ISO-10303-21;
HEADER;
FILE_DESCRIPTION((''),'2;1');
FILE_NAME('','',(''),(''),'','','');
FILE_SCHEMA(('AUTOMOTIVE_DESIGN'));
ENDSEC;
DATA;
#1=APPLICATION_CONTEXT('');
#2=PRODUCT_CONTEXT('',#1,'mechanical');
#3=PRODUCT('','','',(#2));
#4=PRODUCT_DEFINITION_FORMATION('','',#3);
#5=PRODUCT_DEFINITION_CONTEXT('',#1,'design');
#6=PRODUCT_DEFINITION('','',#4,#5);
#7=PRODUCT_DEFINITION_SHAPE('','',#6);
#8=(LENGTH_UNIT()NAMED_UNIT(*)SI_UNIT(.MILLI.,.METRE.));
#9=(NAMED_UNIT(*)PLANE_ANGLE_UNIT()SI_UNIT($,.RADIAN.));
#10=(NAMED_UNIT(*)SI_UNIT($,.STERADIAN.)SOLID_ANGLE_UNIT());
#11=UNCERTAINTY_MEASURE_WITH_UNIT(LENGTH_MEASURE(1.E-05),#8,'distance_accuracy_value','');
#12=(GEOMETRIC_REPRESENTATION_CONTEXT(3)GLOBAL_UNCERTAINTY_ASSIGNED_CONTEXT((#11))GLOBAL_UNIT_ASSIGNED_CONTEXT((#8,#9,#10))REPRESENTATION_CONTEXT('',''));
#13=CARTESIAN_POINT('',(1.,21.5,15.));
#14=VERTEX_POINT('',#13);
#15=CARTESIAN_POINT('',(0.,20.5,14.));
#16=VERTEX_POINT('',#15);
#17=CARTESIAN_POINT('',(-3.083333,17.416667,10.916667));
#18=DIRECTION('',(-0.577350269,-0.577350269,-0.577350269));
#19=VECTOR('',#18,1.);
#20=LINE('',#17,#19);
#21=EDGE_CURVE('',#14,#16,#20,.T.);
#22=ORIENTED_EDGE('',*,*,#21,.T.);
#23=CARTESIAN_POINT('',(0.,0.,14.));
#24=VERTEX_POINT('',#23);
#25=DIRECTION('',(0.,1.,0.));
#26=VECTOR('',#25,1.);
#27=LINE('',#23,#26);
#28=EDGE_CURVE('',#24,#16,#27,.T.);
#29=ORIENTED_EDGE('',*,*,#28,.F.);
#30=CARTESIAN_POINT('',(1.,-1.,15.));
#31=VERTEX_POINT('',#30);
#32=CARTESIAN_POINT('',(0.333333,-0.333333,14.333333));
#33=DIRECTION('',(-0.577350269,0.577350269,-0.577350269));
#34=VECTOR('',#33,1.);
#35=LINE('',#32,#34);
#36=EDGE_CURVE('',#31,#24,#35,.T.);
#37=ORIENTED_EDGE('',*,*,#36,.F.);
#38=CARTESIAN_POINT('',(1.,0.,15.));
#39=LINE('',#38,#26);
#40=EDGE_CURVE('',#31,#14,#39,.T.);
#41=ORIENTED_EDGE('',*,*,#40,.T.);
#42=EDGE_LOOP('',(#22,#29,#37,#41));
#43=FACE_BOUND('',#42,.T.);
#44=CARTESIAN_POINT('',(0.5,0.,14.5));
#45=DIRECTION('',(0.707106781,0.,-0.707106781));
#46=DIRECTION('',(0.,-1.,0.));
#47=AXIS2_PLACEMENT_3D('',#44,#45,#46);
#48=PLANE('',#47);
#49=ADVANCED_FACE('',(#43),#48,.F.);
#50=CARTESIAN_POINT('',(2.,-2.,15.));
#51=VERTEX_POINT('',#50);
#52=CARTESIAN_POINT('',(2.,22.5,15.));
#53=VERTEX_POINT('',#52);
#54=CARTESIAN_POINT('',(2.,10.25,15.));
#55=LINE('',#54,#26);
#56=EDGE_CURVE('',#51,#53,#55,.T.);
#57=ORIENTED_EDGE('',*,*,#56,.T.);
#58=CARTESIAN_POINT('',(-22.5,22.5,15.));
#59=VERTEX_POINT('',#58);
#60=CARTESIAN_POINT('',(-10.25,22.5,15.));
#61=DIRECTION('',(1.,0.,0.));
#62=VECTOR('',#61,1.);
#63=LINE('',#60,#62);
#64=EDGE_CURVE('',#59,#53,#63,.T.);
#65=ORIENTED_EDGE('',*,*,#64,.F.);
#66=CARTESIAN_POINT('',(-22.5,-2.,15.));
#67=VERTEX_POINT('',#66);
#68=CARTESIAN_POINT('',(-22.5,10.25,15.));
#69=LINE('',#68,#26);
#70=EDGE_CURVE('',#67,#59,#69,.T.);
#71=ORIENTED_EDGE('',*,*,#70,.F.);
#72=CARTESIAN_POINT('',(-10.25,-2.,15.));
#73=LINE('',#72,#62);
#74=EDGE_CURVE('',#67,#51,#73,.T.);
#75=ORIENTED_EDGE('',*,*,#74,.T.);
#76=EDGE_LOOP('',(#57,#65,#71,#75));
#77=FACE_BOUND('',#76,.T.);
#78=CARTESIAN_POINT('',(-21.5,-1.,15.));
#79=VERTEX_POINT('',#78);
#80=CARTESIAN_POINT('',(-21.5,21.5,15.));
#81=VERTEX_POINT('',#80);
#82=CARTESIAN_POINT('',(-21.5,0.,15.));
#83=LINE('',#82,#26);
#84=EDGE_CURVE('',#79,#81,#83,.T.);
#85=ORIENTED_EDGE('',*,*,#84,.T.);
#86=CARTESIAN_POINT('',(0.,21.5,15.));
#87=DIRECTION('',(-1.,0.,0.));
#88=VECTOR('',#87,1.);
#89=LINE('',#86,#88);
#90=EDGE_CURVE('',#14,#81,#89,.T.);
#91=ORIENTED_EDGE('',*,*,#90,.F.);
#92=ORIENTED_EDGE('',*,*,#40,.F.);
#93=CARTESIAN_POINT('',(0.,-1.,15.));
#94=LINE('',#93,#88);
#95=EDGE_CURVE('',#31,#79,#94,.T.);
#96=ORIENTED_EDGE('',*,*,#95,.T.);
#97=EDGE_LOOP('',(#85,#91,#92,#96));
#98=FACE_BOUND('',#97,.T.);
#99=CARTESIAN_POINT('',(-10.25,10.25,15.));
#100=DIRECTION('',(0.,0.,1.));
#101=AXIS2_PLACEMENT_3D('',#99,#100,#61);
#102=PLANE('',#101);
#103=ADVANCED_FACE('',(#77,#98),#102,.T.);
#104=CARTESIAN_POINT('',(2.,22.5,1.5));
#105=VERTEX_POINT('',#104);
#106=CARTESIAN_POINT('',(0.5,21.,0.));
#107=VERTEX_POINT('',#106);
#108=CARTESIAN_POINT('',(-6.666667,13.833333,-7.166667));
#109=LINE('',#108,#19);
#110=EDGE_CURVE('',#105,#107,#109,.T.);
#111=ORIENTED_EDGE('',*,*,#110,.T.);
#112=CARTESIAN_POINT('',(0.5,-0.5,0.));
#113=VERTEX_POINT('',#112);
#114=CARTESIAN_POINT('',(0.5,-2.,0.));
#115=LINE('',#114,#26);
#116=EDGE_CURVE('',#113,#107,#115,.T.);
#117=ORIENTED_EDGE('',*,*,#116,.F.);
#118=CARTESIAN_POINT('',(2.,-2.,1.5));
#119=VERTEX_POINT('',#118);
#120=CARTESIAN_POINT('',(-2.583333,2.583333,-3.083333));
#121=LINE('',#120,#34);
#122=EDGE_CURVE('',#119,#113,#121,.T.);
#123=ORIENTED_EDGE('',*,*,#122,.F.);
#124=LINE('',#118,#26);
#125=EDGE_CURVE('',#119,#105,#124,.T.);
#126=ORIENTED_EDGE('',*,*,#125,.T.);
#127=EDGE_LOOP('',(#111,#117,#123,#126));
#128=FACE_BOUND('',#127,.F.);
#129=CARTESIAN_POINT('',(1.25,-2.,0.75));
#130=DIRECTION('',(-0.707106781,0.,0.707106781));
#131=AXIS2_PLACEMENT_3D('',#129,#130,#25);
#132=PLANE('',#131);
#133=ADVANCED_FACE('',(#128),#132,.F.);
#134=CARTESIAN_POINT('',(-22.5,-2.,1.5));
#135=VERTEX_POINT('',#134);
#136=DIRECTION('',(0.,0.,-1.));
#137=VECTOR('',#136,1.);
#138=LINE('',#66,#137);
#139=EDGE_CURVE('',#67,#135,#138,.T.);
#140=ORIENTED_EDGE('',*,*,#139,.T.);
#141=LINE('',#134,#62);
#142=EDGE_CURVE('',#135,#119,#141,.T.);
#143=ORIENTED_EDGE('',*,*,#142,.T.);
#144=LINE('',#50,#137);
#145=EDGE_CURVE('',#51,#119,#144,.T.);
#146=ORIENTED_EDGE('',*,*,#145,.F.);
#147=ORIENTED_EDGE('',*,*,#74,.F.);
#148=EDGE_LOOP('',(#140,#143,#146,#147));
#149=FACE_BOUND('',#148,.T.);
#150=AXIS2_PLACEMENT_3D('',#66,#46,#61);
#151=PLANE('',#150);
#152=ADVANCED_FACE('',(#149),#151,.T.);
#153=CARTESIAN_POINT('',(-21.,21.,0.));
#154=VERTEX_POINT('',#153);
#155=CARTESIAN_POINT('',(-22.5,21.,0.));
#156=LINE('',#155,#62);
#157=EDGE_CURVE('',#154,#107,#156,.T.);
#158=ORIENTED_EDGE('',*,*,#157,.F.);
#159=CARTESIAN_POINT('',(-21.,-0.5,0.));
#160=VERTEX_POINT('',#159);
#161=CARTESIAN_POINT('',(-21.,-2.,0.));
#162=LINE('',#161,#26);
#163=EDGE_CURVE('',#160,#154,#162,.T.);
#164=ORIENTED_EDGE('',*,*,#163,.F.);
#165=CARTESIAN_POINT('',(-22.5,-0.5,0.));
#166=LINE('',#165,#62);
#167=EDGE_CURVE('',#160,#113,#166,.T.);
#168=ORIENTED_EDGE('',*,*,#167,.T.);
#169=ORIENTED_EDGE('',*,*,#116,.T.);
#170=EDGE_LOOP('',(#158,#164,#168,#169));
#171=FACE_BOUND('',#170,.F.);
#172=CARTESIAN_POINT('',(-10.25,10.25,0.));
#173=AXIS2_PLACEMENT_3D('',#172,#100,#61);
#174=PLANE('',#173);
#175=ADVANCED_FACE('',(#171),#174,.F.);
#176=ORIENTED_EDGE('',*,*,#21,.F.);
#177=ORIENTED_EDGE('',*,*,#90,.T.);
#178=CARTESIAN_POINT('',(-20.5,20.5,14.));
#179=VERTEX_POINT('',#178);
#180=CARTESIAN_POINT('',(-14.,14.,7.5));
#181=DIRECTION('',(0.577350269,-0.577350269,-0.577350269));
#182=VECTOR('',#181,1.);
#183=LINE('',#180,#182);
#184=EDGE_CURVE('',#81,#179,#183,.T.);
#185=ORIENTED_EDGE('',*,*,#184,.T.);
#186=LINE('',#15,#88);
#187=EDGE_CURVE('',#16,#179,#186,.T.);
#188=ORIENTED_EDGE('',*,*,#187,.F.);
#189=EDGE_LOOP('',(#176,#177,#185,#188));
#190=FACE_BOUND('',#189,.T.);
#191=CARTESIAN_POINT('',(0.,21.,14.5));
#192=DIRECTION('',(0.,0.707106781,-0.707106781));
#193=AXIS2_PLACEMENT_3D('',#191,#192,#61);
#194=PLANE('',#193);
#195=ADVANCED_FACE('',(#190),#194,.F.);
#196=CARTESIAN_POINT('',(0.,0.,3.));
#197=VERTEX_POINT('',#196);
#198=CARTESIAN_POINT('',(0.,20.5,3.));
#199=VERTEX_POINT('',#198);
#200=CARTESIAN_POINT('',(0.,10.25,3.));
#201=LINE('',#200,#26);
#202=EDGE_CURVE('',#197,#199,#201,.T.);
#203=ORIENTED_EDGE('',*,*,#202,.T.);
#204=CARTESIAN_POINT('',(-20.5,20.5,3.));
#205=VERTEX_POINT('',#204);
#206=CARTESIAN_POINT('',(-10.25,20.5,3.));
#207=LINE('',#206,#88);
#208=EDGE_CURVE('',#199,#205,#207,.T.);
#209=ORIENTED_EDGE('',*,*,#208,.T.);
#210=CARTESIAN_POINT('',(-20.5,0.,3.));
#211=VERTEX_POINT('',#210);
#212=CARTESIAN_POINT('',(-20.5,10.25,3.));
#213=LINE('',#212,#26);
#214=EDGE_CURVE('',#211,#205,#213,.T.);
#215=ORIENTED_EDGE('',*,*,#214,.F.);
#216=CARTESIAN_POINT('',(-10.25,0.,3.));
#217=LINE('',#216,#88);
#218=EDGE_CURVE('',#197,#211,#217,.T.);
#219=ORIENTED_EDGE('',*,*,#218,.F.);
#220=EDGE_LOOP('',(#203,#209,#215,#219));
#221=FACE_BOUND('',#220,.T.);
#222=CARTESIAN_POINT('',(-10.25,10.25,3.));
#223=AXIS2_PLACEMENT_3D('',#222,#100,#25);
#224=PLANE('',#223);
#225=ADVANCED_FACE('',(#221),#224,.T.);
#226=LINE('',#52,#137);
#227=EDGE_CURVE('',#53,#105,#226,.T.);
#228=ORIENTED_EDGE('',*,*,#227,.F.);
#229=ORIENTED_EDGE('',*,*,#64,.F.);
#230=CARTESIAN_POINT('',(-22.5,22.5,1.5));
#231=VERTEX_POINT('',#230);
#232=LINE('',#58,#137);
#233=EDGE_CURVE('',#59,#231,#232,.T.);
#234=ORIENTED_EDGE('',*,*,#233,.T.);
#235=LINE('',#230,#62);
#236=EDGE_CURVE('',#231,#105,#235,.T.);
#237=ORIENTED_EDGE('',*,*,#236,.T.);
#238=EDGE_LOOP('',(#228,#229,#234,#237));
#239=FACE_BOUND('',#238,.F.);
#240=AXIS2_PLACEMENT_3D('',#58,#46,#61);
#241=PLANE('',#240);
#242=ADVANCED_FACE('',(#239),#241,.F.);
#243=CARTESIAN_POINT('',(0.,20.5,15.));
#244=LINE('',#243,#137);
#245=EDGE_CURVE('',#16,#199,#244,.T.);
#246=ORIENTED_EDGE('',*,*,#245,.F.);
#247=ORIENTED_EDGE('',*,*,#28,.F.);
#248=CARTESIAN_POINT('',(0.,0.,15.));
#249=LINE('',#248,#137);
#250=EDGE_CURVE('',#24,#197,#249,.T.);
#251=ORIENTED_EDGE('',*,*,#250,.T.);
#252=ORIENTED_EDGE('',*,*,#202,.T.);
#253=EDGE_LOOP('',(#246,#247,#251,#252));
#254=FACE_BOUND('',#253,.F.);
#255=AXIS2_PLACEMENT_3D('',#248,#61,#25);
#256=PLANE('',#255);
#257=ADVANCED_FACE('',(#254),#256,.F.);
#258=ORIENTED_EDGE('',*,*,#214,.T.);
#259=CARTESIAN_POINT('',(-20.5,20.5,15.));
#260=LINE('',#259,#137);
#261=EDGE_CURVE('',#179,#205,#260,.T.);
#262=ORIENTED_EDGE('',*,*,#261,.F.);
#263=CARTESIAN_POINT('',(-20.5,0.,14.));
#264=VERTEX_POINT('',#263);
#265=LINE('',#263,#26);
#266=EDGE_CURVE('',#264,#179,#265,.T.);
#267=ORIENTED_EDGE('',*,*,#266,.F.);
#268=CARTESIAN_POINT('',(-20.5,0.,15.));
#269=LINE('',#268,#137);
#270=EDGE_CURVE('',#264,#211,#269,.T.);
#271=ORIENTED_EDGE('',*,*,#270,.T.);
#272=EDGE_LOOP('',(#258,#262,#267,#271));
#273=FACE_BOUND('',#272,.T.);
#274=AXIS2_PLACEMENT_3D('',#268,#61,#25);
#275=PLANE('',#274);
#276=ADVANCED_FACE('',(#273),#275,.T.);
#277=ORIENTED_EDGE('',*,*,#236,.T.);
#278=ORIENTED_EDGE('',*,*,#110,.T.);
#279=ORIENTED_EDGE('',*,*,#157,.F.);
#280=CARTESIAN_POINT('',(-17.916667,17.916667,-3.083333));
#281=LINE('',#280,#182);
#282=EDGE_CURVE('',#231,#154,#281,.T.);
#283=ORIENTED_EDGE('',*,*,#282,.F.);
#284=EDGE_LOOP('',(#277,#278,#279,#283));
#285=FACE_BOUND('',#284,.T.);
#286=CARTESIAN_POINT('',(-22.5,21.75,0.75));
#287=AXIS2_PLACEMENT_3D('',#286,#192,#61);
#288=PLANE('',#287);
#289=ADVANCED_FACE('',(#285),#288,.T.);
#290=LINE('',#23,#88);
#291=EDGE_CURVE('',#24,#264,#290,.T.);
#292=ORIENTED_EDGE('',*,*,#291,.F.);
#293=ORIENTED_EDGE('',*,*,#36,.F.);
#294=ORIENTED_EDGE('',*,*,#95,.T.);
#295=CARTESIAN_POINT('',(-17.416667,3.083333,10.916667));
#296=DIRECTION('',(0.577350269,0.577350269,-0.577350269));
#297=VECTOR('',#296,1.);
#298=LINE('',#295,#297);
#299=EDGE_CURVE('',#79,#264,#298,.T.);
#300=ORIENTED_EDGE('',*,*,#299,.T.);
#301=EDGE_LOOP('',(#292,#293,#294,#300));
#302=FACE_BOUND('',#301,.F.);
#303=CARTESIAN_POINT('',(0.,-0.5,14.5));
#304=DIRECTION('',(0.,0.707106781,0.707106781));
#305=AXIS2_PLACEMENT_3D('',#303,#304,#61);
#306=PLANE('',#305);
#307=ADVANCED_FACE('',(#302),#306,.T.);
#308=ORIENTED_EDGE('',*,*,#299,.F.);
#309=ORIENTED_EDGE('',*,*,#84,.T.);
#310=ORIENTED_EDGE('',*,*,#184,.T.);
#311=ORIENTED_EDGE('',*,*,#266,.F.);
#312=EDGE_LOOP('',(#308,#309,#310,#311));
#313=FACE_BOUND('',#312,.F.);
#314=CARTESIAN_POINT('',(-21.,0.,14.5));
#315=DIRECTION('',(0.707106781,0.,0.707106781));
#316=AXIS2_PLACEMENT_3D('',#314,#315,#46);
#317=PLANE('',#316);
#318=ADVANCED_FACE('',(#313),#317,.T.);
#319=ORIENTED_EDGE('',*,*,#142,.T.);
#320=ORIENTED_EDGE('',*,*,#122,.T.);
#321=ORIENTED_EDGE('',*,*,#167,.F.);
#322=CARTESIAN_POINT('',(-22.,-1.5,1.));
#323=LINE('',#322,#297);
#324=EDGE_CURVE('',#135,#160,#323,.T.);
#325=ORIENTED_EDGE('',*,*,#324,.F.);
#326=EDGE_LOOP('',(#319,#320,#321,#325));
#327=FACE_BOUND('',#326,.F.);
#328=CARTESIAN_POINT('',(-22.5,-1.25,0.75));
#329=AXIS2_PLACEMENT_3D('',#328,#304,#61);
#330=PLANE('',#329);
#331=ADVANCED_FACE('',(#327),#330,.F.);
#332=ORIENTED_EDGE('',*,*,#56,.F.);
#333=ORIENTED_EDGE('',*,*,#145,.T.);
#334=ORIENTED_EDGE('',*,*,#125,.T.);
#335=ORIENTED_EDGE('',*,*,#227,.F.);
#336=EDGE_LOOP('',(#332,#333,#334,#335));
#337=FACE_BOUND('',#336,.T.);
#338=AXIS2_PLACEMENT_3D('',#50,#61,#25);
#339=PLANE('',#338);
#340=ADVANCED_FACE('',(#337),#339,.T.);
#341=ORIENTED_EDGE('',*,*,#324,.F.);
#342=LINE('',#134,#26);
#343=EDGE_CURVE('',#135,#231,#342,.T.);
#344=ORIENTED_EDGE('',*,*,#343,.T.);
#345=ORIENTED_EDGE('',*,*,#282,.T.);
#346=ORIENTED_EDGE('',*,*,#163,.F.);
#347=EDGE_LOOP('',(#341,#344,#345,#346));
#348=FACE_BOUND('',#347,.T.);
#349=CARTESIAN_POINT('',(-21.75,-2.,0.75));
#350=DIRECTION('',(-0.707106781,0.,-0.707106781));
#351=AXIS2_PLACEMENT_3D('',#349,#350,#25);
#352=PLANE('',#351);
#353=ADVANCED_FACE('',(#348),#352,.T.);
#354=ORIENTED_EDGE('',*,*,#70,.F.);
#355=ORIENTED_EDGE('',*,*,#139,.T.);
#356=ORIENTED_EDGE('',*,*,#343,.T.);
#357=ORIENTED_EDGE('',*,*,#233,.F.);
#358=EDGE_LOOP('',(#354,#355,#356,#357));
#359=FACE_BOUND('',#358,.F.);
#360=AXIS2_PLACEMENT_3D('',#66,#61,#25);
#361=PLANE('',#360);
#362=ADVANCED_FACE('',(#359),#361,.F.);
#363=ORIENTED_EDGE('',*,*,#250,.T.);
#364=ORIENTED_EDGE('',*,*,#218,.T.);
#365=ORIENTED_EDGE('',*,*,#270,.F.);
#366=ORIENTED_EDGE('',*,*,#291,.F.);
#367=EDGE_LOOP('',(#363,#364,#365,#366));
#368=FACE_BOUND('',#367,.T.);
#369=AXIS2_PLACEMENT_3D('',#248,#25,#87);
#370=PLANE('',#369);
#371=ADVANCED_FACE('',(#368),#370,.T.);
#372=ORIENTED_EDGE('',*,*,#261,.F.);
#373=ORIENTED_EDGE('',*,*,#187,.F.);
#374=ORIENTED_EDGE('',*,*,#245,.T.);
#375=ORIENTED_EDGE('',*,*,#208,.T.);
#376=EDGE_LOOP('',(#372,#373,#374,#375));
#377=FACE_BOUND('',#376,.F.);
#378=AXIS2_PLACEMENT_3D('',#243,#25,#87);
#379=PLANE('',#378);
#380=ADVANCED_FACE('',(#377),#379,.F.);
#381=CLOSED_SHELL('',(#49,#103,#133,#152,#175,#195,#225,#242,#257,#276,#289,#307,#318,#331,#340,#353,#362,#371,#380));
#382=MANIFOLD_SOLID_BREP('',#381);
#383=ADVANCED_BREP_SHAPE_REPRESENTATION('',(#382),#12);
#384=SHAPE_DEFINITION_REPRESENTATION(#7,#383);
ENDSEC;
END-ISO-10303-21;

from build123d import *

# Parameters (mm, degrees)
SKETCH_W        = 20.5
SKETCH_H        = 20.5
PAD_DEPTH       = 15
SKETCH001_W     = 24.5
SKETCH001_H     = 24.5
PAD001_DEPTH    = 15
PAD001_FACE7_W  = 20.5
PAD001_FACE7_H  = 20.5
POCKET_DEPTH    = 12
CHAMFER_SIZE    = 1
CHAMFER001_SIZE = 1.5


with BuildPart() as part:
    # Sketch → Pad (new body)
    with BuildSketch(Plane.XY):
        with Locations((-10.25, 10.25)):
            Rectangle(SKETCH_W, SKETCH_H)
    extrude(amount=PAD_DEPTH)

    # Sketch001 (on Face6 of Pad) → Pad001 (join)
    with BuildSketch(Plane.XY.offset(15)):
        with Locations((-10.25, 10.25)):
            Rectangle(SKETCH001_W, SKETCH001_H)
    extrude(amount=-PAD001_DEPTH)

    # Pad001 Face7 → Pocket (cut)
    with BuildSketch(Plane(origin=(-10.25, 10.25, 15), x_dir=(0, 1, 0), z_dir=(0, 0, 1))):
        Rectangle(PAD001_FACE7_W, PAD001_FACE7_H)
    extrude(amount=-POCKET_DEPTH, mode=Mode.SUBTRACT)

    # Chamfer
    chamfer_edges = [part.edges().sort_by_distance(p)[0] for p in [
        (-20.5, 10.25, 15),
        (-10.25, 20.5, 15),
        (0, 10.25, 15),
        (-10.25, 0, 15),
    ]]
    chamfer(chamfer_edges, length=CHAMFER_SIZE)

    # Chamfer001
    chamfer001_edges = [part.edges().sort_by_distance(p)[0] for p in [
        (-10.25, 22.5, 0),
        (-22.5, 10.25, 0),
        (-10.25, -2, 0),
        (2, 10.25, 0),
    ]]
    chamfer(chamfer001_edges, length=CHAMFER001_SIZE)


solid = part.part
